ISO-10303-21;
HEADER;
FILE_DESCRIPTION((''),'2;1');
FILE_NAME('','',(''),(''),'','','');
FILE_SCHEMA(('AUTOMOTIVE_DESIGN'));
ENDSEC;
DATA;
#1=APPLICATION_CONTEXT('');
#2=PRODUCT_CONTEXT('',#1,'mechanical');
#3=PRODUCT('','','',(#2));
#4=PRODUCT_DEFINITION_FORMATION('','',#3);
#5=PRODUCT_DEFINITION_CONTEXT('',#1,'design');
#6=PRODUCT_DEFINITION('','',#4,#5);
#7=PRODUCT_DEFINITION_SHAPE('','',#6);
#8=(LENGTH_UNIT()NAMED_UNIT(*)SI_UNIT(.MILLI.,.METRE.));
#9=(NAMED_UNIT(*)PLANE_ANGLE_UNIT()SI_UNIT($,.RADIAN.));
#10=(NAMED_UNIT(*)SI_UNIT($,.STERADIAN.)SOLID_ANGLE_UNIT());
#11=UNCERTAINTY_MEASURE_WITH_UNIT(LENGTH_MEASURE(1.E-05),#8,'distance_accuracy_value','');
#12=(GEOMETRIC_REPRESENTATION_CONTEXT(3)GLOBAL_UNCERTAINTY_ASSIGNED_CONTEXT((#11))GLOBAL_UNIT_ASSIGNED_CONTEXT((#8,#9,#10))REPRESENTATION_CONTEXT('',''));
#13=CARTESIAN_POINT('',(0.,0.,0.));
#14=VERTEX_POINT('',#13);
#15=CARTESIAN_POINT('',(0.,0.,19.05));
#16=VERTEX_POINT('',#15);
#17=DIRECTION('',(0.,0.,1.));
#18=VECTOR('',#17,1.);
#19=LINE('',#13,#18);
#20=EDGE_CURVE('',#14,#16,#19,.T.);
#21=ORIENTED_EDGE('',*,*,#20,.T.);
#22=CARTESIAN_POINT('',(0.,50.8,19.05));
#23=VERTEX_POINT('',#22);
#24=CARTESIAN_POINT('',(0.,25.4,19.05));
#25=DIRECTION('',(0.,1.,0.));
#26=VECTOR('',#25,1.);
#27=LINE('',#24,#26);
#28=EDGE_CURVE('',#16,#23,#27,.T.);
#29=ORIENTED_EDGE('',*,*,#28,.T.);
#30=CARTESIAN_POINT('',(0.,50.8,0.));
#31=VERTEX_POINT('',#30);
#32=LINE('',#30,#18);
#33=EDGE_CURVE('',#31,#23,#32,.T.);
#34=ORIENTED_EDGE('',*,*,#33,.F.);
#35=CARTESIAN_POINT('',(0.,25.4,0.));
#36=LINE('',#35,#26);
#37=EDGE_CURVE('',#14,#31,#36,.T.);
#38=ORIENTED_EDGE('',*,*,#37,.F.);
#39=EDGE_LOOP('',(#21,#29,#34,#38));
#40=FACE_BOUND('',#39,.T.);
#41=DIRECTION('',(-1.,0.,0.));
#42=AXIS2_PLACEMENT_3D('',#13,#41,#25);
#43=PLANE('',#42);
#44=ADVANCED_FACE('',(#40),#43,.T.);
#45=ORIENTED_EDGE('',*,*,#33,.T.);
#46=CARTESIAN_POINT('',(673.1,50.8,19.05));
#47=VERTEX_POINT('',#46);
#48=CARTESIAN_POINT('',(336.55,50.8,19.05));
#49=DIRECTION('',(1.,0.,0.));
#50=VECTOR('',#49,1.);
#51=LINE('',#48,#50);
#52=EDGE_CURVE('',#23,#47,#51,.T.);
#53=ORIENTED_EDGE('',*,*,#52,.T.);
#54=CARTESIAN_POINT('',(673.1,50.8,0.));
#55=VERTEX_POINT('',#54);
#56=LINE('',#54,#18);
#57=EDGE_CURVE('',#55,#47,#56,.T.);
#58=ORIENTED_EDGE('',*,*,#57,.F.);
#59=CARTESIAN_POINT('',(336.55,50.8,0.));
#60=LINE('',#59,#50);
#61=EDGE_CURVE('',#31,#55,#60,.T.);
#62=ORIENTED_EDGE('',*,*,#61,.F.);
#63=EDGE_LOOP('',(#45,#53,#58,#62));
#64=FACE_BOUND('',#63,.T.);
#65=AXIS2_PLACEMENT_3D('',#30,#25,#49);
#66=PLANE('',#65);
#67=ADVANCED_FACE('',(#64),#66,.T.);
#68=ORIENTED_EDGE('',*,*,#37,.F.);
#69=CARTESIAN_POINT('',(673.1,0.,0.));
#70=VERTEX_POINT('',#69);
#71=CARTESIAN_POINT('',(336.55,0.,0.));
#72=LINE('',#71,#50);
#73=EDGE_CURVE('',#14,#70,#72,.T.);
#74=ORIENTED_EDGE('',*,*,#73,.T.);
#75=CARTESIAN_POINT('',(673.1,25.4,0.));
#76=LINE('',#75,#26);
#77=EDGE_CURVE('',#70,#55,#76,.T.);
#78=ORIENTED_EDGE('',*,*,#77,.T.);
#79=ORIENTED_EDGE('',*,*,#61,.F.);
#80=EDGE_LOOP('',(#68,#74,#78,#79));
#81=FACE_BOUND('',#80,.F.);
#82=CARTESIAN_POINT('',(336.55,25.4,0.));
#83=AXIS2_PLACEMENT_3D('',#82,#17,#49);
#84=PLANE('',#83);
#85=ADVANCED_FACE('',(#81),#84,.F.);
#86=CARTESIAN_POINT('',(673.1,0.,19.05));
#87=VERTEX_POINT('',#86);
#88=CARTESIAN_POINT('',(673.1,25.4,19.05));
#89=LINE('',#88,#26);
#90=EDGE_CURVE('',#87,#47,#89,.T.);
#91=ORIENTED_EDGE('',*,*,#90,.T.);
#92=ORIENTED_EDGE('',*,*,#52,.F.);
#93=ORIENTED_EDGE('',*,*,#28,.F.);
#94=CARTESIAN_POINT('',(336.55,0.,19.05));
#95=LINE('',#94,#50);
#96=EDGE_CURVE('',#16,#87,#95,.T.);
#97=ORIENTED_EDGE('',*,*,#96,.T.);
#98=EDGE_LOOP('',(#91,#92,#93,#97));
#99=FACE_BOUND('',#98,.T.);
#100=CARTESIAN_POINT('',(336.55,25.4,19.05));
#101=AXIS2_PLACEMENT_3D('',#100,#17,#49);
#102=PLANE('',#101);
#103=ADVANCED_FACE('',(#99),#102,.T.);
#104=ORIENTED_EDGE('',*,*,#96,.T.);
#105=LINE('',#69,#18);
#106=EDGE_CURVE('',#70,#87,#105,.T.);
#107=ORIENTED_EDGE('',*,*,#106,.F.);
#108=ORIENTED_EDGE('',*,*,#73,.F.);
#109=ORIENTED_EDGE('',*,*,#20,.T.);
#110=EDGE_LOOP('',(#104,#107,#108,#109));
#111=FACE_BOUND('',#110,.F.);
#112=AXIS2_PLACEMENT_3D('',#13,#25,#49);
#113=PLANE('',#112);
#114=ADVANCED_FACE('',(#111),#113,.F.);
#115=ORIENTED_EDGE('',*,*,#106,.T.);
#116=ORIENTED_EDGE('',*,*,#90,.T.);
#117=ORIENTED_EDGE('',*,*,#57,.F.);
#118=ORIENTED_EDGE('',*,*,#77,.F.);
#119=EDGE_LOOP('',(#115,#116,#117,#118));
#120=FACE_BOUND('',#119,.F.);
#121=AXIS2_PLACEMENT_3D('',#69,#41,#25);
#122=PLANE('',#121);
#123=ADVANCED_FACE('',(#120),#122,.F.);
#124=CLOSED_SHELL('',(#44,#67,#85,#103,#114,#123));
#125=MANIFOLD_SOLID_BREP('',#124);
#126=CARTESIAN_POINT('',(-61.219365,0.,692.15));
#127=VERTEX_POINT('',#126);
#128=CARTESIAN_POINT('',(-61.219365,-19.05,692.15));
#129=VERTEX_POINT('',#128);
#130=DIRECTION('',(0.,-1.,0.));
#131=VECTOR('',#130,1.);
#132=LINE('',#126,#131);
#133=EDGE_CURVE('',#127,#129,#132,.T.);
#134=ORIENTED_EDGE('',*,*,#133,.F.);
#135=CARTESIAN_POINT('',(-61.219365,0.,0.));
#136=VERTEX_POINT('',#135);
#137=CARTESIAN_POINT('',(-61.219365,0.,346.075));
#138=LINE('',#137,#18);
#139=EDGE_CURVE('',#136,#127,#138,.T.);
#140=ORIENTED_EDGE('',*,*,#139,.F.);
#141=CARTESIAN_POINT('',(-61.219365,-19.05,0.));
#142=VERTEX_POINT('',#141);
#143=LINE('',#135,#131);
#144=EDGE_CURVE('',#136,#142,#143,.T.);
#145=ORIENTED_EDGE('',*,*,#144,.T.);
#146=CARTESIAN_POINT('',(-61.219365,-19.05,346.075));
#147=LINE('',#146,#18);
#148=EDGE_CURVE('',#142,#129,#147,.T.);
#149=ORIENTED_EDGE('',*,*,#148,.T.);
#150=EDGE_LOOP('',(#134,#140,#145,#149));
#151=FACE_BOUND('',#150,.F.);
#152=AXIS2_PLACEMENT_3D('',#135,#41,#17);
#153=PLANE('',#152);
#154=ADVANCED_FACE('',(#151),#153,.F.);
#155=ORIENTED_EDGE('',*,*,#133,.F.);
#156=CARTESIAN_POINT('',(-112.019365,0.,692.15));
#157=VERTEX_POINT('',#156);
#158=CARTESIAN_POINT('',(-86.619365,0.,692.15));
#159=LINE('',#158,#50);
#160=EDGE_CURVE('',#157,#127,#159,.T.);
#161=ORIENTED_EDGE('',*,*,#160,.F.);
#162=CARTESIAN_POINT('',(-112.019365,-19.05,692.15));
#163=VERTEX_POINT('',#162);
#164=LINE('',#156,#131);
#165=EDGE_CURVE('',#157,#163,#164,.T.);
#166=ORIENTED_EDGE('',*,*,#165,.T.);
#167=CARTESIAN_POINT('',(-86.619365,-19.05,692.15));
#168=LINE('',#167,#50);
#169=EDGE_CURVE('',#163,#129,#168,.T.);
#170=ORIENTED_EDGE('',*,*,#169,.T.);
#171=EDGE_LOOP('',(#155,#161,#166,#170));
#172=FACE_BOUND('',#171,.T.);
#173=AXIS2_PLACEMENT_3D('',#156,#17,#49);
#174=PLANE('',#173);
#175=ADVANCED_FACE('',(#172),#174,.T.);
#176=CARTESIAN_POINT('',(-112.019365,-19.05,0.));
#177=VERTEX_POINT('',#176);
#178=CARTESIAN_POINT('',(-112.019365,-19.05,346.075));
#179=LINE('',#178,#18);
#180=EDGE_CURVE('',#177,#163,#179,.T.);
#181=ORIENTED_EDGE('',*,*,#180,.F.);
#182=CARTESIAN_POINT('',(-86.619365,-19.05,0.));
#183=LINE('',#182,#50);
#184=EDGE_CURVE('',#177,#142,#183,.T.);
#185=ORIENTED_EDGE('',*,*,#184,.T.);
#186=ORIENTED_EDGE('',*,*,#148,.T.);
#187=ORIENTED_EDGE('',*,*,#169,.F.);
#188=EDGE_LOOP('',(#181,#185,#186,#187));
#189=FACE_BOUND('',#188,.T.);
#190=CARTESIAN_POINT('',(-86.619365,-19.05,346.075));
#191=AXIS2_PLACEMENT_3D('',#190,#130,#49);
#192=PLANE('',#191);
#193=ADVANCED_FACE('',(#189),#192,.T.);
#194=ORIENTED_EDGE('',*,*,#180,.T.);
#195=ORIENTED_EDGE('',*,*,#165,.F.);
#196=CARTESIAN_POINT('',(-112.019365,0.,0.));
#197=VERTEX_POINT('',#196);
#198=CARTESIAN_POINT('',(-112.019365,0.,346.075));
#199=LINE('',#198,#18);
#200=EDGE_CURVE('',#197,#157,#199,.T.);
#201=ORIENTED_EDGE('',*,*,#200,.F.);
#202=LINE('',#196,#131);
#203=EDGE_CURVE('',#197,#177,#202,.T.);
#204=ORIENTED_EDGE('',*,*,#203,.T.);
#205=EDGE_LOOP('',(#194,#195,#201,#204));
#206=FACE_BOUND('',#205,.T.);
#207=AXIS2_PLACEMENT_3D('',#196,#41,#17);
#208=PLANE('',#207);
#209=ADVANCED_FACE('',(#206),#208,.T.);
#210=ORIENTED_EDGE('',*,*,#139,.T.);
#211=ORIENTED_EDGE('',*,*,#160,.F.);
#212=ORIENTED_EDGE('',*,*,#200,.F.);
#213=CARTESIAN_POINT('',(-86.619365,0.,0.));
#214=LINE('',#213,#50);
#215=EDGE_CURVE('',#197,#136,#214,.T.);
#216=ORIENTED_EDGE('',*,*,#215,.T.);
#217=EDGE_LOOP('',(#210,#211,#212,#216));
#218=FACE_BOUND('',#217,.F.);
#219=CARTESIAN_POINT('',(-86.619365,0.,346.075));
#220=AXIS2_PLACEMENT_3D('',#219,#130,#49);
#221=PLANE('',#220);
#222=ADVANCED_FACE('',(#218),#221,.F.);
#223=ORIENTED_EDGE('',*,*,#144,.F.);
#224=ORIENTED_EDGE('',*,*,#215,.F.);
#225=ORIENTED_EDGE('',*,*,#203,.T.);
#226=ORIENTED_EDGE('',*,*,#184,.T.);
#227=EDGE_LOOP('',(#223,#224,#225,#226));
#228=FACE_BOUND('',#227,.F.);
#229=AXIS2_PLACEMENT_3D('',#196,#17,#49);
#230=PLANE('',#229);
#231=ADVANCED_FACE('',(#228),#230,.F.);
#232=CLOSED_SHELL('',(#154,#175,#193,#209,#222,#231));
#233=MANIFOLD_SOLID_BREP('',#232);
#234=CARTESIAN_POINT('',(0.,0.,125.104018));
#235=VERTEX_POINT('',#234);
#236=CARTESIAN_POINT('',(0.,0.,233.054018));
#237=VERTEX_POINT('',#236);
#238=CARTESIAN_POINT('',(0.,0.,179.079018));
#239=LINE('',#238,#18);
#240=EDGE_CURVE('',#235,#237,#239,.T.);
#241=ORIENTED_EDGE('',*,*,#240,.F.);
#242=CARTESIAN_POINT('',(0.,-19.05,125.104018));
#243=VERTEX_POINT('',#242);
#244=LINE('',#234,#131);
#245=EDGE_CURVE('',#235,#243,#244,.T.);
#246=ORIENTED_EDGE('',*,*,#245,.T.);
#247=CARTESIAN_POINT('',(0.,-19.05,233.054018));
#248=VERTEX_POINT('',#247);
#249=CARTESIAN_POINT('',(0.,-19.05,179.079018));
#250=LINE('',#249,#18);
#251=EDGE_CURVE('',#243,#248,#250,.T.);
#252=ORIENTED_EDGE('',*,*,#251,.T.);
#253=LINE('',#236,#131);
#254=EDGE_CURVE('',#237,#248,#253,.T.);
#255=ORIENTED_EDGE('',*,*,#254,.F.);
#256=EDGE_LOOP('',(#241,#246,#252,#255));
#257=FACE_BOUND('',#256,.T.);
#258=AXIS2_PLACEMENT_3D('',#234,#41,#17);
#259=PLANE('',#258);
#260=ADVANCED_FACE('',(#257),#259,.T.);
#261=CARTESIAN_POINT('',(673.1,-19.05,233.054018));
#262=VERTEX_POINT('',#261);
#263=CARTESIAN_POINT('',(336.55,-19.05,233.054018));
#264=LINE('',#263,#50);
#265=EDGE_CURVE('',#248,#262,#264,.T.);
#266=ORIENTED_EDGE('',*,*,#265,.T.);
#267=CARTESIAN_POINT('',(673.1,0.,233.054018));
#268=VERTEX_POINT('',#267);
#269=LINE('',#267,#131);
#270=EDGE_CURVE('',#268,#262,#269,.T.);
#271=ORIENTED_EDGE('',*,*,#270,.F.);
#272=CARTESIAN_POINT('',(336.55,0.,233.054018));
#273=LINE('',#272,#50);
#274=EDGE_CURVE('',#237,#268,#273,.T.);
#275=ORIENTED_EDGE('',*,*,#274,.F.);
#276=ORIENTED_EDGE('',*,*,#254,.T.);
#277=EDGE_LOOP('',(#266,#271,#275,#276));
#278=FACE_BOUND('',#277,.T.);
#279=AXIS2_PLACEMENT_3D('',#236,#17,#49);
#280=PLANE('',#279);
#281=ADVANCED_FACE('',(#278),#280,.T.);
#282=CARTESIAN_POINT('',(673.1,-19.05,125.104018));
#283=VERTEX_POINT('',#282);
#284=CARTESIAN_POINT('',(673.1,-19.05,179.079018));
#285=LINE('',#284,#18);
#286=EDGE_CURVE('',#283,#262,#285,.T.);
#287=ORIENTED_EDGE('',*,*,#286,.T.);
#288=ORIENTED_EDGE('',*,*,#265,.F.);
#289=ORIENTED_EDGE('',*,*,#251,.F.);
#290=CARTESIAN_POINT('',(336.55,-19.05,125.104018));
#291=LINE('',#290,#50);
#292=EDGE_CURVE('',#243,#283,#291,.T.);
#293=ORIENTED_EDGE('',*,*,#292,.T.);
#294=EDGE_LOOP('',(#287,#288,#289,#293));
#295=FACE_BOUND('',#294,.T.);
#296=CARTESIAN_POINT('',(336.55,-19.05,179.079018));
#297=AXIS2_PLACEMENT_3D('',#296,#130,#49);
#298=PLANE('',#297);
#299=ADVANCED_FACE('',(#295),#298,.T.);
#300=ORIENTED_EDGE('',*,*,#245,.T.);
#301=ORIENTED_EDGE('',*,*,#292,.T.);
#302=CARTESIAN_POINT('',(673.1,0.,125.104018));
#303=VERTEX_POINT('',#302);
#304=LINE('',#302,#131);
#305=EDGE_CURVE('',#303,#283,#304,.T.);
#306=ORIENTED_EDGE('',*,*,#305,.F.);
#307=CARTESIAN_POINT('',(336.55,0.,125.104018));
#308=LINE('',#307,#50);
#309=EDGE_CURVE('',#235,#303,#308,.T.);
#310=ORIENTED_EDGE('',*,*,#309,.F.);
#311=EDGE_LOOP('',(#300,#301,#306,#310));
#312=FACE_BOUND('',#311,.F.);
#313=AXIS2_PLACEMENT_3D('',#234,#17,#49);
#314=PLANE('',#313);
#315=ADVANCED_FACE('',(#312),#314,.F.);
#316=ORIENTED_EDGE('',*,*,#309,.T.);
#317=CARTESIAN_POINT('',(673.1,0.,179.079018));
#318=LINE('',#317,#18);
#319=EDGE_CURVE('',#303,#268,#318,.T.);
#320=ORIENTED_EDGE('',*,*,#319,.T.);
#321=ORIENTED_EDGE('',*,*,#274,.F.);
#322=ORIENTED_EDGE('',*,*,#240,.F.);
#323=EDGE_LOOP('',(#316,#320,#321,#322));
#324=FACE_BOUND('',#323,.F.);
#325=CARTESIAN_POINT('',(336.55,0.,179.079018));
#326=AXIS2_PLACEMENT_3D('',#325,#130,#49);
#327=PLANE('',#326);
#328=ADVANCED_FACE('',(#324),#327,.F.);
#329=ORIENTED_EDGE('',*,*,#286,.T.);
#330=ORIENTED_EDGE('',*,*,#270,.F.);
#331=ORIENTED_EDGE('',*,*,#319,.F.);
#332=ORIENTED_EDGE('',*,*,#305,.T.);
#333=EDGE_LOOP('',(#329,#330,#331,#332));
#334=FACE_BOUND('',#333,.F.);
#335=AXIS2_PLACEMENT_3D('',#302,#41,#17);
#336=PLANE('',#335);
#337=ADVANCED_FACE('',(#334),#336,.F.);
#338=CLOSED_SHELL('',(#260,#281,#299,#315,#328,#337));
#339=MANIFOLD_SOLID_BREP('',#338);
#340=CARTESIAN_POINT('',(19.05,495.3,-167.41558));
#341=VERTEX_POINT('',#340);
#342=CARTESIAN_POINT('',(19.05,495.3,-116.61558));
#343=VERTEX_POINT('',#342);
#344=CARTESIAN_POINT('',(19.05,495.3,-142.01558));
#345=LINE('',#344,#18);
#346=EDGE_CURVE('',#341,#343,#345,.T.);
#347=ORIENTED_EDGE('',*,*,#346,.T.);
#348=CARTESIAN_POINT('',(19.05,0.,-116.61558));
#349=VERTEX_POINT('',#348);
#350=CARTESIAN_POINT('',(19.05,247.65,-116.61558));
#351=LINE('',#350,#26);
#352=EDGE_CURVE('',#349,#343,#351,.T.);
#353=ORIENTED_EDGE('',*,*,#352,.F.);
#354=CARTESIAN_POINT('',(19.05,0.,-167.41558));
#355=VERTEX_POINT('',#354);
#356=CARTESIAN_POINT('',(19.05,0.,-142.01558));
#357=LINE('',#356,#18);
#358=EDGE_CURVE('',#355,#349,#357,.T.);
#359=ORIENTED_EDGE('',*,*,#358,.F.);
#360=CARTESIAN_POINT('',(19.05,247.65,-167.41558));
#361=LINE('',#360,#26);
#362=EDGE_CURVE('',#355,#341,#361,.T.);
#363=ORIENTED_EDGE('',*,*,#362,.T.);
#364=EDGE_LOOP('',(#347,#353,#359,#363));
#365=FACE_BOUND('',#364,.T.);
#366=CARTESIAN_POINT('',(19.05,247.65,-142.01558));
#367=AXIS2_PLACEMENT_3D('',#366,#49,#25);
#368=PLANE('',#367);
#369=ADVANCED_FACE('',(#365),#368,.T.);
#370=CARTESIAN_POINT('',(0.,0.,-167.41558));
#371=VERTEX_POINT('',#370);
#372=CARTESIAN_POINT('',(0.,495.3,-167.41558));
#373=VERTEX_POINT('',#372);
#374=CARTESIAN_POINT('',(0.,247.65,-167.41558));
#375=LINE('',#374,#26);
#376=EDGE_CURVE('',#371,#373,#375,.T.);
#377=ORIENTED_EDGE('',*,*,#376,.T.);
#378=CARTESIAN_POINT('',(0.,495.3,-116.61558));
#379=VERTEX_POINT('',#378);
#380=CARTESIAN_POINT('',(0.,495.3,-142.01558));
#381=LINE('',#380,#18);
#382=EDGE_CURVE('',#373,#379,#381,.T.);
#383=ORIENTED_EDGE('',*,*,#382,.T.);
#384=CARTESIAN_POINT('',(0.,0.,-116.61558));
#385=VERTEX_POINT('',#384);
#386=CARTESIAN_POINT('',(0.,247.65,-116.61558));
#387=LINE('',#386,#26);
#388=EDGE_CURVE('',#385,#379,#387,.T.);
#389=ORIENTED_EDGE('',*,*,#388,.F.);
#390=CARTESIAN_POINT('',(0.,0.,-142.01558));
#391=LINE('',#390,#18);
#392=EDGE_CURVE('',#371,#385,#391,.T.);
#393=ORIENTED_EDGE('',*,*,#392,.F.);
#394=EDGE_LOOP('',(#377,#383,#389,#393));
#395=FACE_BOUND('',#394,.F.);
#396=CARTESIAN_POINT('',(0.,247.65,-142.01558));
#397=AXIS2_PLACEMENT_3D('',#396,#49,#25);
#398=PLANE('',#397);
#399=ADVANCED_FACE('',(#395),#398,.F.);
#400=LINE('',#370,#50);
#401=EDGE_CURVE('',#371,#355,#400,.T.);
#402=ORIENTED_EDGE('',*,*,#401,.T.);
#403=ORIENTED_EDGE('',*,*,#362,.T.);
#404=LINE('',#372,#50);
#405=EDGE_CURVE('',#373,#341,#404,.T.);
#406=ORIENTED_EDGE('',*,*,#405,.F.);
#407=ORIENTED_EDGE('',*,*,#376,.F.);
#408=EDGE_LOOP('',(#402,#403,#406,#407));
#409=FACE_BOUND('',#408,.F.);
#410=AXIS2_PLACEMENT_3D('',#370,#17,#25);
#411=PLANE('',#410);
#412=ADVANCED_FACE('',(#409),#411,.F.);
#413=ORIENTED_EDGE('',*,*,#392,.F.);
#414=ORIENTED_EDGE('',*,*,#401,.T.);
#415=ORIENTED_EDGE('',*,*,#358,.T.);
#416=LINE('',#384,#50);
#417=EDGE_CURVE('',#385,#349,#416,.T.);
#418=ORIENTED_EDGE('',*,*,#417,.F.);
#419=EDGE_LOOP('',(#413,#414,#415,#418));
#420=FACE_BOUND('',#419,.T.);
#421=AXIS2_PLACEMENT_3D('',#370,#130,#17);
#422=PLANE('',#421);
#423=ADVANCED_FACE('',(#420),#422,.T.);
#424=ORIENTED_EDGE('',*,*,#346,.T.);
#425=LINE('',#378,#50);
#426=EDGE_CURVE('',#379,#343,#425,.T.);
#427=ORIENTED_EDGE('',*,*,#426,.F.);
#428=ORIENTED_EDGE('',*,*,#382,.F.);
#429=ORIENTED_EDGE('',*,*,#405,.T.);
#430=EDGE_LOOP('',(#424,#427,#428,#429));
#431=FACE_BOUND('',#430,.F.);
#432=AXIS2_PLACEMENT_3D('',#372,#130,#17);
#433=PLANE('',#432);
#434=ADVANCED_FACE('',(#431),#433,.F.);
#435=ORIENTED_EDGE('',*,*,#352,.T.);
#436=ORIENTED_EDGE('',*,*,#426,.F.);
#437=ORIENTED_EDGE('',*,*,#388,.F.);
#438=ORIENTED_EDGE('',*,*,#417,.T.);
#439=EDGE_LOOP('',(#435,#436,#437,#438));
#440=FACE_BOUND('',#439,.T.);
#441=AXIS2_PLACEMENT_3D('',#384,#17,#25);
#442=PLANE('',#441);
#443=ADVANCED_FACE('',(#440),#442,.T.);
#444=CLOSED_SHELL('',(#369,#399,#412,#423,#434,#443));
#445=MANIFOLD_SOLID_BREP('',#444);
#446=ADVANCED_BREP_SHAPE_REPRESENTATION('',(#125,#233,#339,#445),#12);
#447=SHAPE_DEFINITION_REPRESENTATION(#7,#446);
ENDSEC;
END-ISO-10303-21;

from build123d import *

# Parameters (mm, degrees)
F0_W     = 673.1
F0_H     = 50.8
F1_DEPTH = 19.05
F2_W     = 495.3
F2_H     = 50.8
F3_DEPTH = 19.05
F4_W     = 50.8
F4_H     = 692.15
F5_DEPTH = 19.05
F6_W     = 673.1
F6_H     = 107.95
F7_DEPTH = 19.05


with BuildPart() as f1:
    # F0 (on Top) → F1 (new body)
    with BuildSketch(Plane.XY):
        with Locations((336.55, 25.4)):
            Rectangle(F0_W, F0_H)
    extrude(amount=F1_DEPTH)


with BuildPart() as f3:
    # F2 (on Right) → F3 (new body)
    with BuildSketch(Plane.YZ):
        with Locations((247.65, -142.01558)):
            Rectangle(F2_W, F2_H)
    extrude(amount=F3_DEPTH)


with BuildPart() as f5:
    # F4 (on Front) → F5 (new body)
    with BuildSketch(Plane.XZ):
        with Locations((-86.619365, 346.075)):
            Rectangle(F4_W, F4_H)
    extrude(amount=F5_DEPTH)


with BuildPart() as f7:
    # F6 (on Front) → F7 (new body)
    with BuildSketch(Plane.XZ):
        with Locations((336.55, 179.079018)):
            Rectangle(F6_W, F6_H)
    extrude(amount=F7_DEPTH)


solid = Compound([f1.part, f3.part, f5.part, f7.part])
